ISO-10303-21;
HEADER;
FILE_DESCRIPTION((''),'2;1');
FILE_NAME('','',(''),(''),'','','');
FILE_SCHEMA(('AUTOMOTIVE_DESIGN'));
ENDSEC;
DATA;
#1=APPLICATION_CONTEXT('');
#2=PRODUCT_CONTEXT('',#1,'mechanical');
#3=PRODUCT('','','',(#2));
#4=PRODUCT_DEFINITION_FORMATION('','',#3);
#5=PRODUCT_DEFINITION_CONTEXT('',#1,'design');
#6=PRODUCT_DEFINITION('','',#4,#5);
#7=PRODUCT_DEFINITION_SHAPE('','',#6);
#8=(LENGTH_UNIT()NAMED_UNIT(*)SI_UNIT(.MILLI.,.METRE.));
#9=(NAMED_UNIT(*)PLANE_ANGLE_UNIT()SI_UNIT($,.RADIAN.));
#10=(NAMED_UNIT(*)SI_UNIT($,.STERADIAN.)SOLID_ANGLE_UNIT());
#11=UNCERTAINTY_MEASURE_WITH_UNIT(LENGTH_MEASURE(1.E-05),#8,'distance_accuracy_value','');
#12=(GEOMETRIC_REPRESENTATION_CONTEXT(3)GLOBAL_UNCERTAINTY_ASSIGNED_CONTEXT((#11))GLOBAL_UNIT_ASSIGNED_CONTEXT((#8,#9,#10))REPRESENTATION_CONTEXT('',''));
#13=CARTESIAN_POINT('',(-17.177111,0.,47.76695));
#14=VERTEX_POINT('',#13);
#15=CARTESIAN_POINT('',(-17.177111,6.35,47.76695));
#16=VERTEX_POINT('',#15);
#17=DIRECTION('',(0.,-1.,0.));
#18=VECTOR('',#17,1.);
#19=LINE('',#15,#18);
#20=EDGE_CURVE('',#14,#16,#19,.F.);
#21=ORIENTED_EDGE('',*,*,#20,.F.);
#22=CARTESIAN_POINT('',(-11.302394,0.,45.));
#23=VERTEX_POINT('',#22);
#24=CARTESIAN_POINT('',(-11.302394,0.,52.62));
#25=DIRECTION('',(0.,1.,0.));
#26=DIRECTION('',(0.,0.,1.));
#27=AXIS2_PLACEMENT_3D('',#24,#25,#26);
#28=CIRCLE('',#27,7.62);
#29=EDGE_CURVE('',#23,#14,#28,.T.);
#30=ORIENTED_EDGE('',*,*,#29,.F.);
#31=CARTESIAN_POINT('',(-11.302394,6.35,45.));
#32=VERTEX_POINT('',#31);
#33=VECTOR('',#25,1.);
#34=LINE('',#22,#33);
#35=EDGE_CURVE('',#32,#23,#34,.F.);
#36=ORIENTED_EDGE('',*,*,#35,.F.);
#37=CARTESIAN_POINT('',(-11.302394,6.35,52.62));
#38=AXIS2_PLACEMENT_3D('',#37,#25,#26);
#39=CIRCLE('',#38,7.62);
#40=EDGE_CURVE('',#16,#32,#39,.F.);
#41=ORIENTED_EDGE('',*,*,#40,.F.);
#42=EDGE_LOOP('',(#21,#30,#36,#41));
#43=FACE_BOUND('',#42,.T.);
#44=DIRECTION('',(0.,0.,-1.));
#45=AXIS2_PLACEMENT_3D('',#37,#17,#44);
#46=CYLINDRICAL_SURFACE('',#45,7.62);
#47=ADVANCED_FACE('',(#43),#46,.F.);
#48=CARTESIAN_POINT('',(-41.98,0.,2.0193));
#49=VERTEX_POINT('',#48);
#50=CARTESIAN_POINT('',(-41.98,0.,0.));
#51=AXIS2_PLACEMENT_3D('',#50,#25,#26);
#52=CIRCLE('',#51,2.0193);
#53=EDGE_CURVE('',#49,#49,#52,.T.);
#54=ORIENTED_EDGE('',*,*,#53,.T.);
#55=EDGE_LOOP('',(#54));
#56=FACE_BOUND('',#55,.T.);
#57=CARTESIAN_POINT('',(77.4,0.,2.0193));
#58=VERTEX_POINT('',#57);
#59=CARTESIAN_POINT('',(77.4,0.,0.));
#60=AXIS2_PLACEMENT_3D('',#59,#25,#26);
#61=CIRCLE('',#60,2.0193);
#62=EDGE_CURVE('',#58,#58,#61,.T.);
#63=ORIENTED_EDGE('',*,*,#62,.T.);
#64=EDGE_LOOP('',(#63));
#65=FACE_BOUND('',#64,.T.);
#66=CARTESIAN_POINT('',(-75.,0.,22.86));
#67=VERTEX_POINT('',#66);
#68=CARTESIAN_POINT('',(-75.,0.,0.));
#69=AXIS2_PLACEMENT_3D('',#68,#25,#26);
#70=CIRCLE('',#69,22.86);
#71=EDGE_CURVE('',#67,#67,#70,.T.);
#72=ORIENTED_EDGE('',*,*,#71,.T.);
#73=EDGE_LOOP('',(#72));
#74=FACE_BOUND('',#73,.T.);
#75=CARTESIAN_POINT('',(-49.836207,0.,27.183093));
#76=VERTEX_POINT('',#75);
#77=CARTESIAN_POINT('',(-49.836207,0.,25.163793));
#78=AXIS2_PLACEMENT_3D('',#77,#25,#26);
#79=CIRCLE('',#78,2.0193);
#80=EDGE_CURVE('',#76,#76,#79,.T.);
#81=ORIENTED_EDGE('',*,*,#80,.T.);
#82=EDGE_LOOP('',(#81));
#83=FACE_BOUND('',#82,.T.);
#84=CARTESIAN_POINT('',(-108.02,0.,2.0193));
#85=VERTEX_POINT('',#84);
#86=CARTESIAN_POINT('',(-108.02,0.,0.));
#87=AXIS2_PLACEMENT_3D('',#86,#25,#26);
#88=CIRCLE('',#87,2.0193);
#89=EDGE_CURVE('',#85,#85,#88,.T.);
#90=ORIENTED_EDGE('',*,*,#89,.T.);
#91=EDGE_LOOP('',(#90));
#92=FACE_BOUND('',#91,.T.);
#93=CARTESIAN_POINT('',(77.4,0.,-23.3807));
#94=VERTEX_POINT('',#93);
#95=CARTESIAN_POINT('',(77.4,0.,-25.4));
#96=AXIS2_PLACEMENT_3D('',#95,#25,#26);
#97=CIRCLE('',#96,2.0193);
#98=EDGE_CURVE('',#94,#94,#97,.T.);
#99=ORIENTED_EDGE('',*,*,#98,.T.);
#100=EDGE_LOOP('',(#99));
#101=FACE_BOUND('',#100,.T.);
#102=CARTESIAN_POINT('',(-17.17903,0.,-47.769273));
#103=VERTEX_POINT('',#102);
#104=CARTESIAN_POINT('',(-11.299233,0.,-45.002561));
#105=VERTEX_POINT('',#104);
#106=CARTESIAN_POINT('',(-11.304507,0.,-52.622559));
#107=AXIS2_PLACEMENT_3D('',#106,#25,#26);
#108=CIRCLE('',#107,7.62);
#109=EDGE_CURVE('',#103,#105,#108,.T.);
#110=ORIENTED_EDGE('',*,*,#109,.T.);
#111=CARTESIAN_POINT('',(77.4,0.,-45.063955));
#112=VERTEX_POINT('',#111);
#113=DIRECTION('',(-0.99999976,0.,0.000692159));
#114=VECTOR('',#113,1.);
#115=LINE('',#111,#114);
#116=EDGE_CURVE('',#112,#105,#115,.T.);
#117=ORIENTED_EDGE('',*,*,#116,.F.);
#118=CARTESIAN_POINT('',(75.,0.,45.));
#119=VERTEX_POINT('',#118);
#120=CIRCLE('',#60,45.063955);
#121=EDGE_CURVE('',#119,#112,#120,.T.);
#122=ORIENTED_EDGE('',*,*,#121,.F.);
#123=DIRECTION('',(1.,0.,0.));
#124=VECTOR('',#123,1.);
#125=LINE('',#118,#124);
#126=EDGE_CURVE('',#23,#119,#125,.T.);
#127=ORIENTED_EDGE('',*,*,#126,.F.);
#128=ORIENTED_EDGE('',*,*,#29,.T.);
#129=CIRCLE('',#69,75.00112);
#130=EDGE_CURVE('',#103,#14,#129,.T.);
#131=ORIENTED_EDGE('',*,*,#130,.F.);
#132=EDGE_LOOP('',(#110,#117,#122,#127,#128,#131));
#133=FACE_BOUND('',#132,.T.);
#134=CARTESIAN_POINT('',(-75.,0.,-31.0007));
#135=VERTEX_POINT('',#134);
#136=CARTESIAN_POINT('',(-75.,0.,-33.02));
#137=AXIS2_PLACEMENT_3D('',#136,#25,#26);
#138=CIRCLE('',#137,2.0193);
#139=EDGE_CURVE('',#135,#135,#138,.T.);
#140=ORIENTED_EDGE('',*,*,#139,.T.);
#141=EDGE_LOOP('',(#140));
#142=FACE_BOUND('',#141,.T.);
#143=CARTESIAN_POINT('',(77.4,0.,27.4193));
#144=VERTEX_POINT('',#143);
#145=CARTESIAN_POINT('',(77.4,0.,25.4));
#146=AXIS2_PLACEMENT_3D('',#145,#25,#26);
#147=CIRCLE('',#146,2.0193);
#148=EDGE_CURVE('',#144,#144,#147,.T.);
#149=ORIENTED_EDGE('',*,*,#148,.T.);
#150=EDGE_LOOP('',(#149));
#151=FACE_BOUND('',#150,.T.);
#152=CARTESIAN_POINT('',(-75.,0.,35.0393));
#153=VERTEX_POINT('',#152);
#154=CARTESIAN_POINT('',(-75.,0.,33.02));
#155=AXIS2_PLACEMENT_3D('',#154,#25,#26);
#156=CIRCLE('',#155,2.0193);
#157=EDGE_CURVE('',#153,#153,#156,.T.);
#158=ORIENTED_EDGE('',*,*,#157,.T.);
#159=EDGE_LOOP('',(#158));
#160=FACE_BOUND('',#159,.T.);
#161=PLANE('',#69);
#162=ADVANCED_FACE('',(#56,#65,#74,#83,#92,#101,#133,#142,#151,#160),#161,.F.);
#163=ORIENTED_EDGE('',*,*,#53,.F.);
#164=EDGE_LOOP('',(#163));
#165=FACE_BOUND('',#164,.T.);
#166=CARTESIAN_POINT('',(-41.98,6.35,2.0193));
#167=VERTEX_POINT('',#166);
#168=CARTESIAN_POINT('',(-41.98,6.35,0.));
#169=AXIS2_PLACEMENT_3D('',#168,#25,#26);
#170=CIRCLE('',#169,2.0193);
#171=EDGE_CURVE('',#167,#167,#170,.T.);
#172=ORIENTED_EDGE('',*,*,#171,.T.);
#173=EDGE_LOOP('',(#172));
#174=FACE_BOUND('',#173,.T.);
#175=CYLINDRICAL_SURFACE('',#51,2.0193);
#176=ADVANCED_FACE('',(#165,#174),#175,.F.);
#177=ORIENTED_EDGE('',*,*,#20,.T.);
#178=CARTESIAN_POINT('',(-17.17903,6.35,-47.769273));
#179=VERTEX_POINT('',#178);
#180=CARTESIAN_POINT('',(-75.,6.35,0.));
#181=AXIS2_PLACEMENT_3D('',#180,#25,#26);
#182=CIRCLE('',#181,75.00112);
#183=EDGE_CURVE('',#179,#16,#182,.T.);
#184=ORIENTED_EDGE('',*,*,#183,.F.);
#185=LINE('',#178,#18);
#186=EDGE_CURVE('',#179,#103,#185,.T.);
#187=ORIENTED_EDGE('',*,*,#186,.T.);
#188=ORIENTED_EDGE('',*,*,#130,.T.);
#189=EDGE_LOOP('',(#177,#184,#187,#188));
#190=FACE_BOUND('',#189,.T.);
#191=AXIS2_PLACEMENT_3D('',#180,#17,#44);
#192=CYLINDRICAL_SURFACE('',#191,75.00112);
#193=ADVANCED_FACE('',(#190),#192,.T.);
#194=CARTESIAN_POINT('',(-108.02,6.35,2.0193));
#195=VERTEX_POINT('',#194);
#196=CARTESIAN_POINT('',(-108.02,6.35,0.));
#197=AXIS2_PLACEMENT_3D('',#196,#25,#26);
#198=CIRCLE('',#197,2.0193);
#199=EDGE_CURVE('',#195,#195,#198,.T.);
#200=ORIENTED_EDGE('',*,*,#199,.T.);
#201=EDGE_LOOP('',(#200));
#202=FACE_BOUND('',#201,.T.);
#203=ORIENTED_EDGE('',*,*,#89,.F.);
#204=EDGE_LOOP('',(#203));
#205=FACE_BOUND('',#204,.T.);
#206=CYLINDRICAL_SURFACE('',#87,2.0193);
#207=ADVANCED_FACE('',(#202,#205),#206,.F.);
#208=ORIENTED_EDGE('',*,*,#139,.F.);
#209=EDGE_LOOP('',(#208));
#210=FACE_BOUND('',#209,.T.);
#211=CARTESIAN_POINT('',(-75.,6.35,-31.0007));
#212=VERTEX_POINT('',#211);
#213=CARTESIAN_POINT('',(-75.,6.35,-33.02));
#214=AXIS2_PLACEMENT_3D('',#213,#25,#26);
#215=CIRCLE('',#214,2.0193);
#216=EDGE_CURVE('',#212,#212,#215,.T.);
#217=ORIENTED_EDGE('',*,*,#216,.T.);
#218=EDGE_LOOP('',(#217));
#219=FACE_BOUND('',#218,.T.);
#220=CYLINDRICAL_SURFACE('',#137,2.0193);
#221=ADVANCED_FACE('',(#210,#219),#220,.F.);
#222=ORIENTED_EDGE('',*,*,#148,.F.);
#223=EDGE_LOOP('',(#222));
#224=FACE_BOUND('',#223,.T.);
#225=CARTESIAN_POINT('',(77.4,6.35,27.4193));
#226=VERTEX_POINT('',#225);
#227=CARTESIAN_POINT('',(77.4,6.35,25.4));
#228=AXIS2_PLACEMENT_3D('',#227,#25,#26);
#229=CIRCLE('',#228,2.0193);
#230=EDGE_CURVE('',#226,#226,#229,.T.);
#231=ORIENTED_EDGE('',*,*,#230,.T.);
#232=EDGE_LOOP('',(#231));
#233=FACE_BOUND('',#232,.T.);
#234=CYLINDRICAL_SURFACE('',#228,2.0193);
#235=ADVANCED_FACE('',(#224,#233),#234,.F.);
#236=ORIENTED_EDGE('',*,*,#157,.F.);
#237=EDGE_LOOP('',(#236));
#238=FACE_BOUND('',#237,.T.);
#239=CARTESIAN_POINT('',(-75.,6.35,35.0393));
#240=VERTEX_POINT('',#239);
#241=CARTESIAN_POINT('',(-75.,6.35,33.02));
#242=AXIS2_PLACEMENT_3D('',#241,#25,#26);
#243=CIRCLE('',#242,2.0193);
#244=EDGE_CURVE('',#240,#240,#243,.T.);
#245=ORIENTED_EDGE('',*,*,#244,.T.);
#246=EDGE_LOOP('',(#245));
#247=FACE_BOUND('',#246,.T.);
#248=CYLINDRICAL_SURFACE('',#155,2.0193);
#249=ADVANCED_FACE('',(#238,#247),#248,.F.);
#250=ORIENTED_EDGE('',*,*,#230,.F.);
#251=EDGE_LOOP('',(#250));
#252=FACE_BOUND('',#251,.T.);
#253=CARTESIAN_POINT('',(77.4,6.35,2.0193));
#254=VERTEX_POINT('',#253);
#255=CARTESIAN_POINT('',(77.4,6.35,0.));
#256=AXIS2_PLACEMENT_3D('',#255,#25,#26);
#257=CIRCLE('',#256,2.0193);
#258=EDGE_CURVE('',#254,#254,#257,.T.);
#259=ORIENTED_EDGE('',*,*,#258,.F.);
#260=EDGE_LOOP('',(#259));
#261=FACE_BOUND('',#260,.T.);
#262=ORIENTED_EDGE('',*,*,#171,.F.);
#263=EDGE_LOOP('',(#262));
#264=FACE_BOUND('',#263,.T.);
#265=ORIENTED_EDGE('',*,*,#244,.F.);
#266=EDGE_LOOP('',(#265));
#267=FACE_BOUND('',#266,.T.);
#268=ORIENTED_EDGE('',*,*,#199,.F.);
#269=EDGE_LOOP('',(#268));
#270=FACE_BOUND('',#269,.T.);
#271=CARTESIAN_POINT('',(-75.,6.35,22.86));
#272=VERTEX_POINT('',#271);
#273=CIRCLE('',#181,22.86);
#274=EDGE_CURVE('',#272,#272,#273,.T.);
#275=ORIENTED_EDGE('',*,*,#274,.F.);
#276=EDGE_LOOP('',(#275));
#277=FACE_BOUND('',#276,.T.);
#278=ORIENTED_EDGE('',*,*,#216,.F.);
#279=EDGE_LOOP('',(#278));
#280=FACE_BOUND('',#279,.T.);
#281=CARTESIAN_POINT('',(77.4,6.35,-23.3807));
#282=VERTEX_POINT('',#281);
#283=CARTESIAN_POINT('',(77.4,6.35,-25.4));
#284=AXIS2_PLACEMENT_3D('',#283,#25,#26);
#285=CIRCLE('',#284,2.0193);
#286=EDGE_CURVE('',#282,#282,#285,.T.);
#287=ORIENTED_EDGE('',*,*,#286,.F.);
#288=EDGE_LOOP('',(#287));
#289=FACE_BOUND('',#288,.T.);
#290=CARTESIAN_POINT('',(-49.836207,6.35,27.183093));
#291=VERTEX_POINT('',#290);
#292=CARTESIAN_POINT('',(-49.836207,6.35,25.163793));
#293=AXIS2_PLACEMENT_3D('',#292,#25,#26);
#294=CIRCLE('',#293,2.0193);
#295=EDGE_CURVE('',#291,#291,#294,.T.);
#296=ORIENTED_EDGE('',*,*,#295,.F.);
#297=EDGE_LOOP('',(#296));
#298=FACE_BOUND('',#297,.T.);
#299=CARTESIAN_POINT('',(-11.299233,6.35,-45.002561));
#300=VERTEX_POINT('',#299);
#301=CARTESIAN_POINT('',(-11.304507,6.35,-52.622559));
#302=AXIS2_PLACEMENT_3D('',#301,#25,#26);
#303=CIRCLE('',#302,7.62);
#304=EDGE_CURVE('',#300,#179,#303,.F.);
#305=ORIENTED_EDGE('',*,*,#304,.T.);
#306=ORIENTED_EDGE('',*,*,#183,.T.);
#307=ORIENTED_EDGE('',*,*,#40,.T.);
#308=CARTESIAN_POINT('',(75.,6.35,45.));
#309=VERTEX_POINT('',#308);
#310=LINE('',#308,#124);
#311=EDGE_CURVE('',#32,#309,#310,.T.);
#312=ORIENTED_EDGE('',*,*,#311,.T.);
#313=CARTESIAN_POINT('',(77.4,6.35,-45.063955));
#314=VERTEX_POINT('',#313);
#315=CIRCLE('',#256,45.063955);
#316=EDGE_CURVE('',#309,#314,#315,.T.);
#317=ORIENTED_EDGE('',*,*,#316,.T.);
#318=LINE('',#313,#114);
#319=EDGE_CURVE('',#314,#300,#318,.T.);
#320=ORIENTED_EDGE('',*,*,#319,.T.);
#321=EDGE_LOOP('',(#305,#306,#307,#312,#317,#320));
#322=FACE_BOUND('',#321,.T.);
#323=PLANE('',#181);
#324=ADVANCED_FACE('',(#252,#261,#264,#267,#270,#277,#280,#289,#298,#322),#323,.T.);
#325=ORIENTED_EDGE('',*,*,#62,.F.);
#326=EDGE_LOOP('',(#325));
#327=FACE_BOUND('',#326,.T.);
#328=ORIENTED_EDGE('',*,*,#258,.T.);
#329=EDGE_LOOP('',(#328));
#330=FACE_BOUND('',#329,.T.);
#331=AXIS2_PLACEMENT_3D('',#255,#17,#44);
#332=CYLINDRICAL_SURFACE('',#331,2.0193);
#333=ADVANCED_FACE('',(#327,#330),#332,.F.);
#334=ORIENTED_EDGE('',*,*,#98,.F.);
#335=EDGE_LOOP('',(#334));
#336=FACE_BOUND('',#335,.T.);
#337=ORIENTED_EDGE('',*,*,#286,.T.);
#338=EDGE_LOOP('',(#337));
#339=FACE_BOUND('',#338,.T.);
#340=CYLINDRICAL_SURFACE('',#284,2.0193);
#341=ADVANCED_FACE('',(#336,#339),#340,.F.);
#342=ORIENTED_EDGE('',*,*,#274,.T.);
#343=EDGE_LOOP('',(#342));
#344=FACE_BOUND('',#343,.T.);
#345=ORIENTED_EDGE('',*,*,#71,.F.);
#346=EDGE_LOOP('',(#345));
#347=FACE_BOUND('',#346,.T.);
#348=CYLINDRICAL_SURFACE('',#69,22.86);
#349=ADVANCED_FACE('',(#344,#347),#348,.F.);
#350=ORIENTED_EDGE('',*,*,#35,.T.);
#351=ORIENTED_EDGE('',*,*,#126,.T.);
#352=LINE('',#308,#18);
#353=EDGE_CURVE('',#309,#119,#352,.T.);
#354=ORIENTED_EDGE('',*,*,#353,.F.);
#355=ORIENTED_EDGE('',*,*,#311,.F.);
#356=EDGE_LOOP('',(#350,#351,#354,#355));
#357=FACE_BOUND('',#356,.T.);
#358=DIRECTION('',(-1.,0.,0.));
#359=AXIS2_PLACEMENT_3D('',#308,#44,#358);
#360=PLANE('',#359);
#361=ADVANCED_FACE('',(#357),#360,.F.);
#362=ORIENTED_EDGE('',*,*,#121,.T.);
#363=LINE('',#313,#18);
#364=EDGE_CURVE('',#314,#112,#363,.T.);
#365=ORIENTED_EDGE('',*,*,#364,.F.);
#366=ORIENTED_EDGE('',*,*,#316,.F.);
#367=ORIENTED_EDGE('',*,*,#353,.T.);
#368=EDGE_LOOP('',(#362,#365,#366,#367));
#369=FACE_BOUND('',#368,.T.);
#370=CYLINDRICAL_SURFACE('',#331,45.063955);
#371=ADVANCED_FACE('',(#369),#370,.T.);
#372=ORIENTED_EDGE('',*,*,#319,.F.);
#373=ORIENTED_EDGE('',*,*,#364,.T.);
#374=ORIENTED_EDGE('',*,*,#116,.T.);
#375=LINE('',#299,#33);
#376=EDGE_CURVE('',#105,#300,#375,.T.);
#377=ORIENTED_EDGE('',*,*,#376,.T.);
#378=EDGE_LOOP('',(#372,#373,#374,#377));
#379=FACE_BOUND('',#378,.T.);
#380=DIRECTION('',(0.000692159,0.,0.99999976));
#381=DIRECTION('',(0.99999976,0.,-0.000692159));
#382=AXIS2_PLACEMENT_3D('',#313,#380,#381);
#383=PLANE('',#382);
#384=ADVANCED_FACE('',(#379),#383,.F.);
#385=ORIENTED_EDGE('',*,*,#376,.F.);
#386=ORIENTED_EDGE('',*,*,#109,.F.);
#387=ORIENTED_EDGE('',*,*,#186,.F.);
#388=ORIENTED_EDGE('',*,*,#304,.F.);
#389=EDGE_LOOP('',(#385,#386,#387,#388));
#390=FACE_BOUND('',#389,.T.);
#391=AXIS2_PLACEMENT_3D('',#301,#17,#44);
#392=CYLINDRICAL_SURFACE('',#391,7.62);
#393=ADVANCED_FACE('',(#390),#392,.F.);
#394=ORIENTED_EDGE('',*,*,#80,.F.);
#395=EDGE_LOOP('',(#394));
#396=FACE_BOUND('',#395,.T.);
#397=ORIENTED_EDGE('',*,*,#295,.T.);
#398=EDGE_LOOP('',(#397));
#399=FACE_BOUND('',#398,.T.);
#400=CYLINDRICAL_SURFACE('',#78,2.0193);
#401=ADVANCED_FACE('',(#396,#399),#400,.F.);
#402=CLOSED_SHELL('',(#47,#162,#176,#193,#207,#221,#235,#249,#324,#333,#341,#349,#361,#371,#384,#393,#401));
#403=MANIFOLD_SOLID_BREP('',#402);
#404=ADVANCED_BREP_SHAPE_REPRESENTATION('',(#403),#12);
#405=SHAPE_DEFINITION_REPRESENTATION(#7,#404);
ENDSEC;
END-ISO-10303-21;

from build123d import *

# Parameters (mm, degrees)
SKETCH1_R                   = 2.0193
BOSS_EXTRUDE1_DEPTH         = 6.35
SKETCH16_R                  = 22.86
SKETCH16_R_2                = 2.0193
CUT_EXTRUDE1_DEPTH          = 6.35
FILLET1_R                   = 7.62
F_21_0_159_DIAMETER_HOLE1_D = 4.0386


with BuildPart() as part:
    # Sketch1 → Boss-Extrude1 (new body)
    with BuildSketch(Plane(origin=(0, 0, 0), x_dir=(1, 0, 0), z_dir=(0, 1, 0))):
        with BuildLine():
            Line((75, -45), (-14.998600006, -45))
            ThreePointArc((-14.998600006, -45), (-150.00112, 0), (-14.998600006, 45))
            Line((-14.998600006, 45), (77.4, 45.063954554))
            ThreePointArc((77.4, 45.063954554), (122.447963078, -1.200425985), (75, -45))
        make_face()
        with Locations(Location((77.4, 0, 0), (0, 0, 270))):
            Circle(SKETCH1_R, mode=Mode.SUBTRACT)
    extrude(amount=BOSS_EXTRUDE1_DEPTH)

    # Sketch16 → Cut-Extrude1 (cut)
    with BuildSketch(Plane(origin=(0.964771866, 6.35, 105.934324836), x_dir=(-1, 0, 0), z_dir=(0, 1, 0))):
        with Locations(Location((75.964771866, -105.934324836, 0), (0, 0, 90))):
            Circle(SKETCH16_R)
        with Locations(Location((50.800979112, -80.770532082, 0), (0, 0, 90))):
            Circle(SKETCH16_R_2)
        with Locations(Location((42.944771866, -105.934324836, 0), (0, 0, 90))):
            Circle(SKETCH16_R_2)
        with Locations(Location((75.964771866, -72.914324836, 0), (0, 0, 90))):
            Circle(SKETCH16_R_2)
        with Locations(Location((108.984771866, -105.934324836, 0), (0, 0, 90))):
            Circle(SKETCH16_R_2)
        with Locations(Location((75.964771866, -138.954324836, 0), (0, 0, 90))):
            Circle(SKETCH16_R_2)
    extrude(amount=-CUT_EXTRUDE1_DEPTH, mode=Mode.SUBTRACT)

    # Fillet1
    fillet1_edges = [part.edges().sort_by_distance(p)[0] for p in [
        (-14.998600006, 3.175, -45),
        (-14.998600006, 3.175, 45),
    ]]
    fillet(fillet1_edges, radius=FILLET1_R)

    # #21 (0.159) Diameter Hole1 (through all)
    with Locations(Plane(origin=(0, 6.35, 0), x_dir=(1, 0, 0), z_dir=(0, 1, 0))):
        with Locations((77.4, 25.4), (77.4, -25.4)):
            Hole(F_21_0_159_DIAMETER_HOLE1_D / 2)


solid = part.part
